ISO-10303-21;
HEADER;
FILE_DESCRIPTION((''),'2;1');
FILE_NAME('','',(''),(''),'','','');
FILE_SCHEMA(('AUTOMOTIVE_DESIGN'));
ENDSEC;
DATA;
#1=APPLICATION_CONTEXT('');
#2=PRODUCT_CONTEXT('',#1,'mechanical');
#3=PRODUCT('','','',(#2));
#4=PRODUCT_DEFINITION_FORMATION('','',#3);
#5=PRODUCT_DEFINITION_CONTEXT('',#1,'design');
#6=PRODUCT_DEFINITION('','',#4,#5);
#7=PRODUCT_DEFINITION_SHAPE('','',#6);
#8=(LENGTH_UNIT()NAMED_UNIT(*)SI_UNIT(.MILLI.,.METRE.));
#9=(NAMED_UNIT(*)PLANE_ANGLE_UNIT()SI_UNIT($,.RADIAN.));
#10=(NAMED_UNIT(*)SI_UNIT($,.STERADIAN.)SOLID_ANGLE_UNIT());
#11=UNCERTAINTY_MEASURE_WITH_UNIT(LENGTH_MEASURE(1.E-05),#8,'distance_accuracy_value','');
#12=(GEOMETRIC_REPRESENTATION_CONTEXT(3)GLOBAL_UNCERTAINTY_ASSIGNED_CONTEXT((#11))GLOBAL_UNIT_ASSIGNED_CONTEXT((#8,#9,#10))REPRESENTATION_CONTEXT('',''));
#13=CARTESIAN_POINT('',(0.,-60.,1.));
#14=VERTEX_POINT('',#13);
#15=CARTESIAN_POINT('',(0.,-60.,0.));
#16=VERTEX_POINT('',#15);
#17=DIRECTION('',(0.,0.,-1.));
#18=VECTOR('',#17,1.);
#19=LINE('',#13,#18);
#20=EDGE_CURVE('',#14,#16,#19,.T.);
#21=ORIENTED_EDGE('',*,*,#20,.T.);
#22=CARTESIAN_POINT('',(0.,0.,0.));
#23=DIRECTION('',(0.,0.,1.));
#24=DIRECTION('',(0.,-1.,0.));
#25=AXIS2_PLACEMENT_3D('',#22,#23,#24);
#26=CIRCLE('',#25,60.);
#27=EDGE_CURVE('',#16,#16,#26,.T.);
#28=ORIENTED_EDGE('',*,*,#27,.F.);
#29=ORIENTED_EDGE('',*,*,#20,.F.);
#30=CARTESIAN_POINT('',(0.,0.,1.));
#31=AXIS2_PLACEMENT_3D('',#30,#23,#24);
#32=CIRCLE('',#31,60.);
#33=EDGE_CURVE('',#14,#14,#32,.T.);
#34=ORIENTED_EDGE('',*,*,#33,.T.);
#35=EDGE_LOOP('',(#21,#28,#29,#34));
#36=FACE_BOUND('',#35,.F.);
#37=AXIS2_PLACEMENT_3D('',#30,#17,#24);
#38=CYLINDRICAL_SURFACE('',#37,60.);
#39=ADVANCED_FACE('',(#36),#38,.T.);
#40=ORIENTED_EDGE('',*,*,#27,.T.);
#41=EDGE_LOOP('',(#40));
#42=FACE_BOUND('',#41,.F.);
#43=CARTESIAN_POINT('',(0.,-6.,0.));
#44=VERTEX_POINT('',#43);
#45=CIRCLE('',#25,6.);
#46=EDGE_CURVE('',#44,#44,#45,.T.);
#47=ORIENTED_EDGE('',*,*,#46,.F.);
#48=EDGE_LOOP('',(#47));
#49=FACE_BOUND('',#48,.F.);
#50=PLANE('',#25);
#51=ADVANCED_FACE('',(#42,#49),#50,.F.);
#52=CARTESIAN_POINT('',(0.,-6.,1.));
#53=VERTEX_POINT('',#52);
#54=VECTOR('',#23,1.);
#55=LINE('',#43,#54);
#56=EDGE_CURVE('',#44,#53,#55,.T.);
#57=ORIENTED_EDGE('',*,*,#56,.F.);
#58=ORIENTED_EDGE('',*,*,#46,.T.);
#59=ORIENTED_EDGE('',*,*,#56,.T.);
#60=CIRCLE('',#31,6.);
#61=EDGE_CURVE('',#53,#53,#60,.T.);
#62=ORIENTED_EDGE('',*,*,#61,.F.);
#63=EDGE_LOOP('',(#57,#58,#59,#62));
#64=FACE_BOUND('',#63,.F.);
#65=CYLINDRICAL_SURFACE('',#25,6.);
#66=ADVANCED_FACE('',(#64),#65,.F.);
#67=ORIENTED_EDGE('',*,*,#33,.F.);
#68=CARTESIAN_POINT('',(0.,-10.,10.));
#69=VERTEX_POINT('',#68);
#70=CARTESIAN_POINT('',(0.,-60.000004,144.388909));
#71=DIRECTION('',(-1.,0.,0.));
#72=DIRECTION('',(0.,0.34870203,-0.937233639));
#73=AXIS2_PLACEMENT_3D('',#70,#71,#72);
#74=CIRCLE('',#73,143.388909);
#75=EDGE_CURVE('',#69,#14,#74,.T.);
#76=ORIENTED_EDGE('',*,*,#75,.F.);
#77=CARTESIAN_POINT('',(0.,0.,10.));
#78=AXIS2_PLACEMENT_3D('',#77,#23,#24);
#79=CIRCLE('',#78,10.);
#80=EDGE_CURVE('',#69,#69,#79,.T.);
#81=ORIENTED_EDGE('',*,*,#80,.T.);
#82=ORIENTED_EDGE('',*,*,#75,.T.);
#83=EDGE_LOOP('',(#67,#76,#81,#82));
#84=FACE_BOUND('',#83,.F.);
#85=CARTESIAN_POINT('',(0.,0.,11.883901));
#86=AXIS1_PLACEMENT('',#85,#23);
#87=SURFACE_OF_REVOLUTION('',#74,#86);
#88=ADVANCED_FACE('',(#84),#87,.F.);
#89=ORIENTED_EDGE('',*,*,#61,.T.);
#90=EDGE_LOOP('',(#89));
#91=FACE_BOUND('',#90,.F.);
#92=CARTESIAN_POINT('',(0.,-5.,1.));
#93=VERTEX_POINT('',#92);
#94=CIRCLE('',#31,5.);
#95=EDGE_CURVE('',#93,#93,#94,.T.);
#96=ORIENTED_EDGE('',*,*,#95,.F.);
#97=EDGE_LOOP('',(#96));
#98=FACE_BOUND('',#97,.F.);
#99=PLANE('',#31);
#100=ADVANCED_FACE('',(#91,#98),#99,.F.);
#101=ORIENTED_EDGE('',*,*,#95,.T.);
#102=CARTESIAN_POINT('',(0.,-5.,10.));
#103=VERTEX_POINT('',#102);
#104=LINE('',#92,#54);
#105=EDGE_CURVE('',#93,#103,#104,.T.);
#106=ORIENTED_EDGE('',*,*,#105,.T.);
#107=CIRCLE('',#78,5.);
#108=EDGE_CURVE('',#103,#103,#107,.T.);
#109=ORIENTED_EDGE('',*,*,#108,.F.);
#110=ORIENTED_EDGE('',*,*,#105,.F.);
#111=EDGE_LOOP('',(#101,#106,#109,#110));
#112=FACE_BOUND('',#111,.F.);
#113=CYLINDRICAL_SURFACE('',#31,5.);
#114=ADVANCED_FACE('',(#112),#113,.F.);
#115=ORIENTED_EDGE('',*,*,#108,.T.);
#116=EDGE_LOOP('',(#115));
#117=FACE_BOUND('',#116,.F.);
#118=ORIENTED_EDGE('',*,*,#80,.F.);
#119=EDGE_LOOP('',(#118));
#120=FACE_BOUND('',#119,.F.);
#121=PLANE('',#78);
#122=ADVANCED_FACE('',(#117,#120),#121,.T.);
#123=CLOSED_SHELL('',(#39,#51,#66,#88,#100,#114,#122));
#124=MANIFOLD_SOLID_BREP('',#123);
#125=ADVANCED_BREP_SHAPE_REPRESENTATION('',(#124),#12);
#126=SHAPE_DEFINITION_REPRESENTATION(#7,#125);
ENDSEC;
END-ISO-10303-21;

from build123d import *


with BuildPart() as f1:
    # F0 (on Right) → F1 (revolve)
    with BuildSketch(Plane.YZ):
        with BuildLine():
            Line((-60, 0), (-6, 0))
            Line((-6, 0), (-6, 1))
            Line((-6, 1), (-5, 1))
            Line((-5, 1), (-5, 10))
            Line((-5, 10), (-10, 10))
            ThreePointArc((-10, 10), (-34.598228, 3.267936), (-60, 1))
            Line((-60, 1), (-60, 0))
        make_face()
    revolve(axis=Axis((0, 0, 11.883901), (0, 0, 1)))


solid = f1.part
